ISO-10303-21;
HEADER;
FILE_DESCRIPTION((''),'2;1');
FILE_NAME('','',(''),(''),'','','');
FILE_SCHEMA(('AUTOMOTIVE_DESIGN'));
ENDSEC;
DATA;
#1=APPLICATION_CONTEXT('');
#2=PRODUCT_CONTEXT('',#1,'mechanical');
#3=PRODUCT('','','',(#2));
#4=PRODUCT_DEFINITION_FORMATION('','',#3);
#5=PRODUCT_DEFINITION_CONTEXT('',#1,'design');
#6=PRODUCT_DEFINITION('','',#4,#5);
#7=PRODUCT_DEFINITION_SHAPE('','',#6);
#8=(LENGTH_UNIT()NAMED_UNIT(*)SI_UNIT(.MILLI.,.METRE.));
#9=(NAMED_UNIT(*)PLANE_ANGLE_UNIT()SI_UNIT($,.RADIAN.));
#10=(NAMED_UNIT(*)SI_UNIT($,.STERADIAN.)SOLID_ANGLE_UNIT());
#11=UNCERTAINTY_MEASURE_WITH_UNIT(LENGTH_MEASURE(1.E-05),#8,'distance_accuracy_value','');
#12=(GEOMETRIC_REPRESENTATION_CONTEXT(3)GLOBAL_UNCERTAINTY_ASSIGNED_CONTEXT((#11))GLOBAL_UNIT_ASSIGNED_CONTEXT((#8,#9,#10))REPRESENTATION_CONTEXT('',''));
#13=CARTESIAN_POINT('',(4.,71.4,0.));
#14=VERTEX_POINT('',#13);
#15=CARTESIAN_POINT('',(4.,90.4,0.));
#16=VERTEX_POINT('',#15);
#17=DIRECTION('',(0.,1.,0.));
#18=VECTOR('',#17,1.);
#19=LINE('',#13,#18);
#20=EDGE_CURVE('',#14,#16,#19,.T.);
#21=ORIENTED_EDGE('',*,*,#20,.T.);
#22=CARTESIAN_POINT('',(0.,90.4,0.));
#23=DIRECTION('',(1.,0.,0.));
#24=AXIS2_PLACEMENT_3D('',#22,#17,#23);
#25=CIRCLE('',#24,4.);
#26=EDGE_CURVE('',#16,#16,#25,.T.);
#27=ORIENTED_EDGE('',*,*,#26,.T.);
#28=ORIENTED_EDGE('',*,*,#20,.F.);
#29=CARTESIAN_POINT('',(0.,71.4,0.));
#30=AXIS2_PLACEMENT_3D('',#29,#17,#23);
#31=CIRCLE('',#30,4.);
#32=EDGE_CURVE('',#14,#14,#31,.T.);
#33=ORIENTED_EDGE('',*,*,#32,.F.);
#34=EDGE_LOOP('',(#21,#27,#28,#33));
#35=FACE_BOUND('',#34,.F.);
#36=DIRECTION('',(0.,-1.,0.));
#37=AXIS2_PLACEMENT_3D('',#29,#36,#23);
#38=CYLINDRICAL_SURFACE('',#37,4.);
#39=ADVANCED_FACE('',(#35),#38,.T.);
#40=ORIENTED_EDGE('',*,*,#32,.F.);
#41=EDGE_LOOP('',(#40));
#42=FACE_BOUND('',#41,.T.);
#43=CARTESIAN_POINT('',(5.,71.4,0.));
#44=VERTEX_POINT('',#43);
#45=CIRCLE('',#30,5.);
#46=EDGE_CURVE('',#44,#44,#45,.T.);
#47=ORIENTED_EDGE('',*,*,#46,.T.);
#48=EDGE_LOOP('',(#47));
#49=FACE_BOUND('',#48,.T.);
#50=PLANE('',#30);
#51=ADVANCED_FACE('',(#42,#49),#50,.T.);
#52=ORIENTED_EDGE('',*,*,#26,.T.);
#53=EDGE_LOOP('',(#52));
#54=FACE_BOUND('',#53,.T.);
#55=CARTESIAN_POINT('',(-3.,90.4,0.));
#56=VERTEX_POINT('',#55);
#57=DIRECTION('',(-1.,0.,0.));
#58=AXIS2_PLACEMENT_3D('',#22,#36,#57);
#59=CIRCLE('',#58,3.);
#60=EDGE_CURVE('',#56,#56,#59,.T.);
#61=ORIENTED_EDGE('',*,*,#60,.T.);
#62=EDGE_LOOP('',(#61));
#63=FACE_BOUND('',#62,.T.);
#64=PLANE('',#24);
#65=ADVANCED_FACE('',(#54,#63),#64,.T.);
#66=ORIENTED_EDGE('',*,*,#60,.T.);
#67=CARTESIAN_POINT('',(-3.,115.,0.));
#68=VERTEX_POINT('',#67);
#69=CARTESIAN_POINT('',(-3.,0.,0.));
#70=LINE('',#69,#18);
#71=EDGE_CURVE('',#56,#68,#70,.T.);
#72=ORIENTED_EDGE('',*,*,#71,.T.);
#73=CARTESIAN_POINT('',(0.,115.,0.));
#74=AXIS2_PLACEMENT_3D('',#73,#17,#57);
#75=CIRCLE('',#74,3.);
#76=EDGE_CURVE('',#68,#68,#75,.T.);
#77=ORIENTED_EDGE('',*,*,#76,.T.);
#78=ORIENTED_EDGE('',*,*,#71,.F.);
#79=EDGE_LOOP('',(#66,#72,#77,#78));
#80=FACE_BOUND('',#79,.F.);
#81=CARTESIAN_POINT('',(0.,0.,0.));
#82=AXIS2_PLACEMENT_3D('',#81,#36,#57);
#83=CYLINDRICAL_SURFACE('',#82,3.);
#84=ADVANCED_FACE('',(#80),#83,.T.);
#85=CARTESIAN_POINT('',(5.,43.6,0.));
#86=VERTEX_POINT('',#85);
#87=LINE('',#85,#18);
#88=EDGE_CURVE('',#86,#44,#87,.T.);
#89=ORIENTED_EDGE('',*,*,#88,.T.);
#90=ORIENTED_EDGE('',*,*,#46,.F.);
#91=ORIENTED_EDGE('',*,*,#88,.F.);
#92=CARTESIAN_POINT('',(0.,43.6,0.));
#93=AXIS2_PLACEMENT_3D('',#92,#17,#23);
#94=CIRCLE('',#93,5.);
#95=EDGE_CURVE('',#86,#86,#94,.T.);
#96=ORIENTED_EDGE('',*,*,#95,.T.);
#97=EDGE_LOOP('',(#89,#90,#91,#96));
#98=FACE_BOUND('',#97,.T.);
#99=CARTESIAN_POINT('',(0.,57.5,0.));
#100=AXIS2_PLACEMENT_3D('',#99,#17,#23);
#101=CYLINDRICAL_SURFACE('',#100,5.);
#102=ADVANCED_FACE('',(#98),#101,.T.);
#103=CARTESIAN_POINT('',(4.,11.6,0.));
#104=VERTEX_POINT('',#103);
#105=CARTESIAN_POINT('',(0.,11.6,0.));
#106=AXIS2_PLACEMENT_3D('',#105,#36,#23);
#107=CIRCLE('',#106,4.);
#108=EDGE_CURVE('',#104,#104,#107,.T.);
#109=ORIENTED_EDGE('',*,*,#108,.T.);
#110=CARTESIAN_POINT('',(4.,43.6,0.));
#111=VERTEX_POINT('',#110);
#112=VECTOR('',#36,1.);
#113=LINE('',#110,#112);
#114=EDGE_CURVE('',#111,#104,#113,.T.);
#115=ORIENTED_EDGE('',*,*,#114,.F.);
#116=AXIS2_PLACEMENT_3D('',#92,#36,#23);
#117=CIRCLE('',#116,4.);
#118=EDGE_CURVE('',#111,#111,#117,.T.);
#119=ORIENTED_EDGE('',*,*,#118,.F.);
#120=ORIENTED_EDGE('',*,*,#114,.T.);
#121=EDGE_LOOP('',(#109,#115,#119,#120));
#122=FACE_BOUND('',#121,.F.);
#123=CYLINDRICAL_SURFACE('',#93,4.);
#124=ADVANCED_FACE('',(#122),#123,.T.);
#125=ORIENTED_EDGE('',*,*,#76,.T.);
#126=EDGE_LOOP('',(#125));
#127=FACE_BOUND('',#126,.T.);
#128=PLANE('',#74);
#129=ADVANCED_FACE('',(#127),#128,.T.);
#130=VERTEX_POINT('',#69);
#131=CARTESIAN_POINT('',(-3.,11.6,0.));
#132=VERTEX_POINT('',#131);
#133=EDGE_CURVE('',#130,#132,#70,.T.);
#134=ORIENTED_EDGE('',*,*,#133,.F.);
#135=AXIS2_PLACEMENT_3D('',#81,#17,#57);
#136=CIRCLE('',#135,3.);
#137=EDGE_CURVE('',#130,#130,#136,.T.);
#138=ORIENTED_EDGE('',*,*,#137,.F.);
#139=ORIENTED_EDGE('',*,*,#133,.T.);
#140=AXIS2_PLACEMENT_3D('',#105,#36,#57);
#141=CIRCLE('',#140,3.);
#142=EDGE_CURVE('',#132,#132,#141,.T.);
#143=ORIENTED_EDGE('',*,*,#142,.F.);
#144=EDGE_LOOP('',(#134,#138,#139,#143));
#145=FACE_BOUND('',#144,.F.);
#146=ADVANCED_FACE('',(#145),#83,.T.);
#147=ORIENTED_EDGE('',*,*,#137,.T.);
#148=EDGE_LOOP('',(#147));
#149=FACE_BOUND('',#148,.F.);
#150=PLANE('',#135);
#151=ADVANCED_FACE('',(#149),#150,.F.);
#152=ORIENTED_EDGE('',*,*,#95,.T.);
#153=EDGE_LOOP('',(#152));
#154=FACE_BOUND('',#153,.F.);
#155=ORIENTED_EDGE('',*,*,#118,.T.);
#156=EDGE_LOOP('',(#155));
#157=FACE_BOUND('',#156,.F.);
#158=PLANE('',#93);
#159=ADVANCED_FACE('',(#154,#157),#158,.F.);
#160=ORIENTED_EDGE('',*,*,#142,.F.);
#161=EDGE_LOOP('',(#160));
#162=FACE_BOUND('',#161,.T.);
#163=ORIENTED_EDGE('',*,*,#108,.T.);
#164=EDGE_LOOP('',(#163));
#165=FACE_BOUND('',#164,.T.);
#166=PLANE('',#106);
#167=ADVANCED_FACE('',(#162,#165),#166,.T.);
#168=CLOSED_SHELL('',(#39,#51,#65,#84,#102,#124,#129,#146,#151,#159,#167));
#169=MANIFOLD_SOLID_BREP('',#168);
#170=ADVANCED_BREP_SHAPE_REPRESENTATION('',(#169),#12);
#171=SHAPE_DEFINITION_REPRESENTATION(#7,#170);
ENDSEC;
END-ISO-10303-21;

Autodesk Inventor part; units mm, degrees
ref_plane "YZ Plane" through (0, 0, 0) normal (1, 0, 0) x (0, 1, 0)
ref_plane "XZ Plane" through (0, 0, 0) normal (0, 1, 0) x (-1, 0, 0)
ref_plane "XY Plane" through (0, 0, 0) normal (0, 0, 1) x (1, 0, 0)
sketch "スケッチ1" plane through (0, 0, 0) normal (0, 1, 0) x (-1, 0, 0)
  circle A0 centre (0, 0) radius 3
  dimension "d0" = 6
extrude "押し出し1" add sketch "スケッチ1" along normal blind 115
ref_plane "作業平面1" through (0, 57.5, 0) normal (0, 1, 0) x (1, 0, 0)
sketch "スケッチ2" plane through (0, 57.5, 0) normal (0, 1, 0) x (1, 0, 0)
  circle A0 centre (0, 0) radius 5
  dimension "d3" = 10
extrude "押し出し2" add sketch "スケッチ2" along normal blind 13.9 and the other way blind 13.9
sketch "スケッチ4" plane through (0, 43.6, 0) normal (0, -1, 0) x (1, 0, 0)
  circle A0 centre (0, 0) radius 4
  dimension "d9" = 8
extrude "押し出し3" add sketch "スケッチ4" along normal blind 32
sketch "スケッチ5" plane through (0, 71.4, 0) normal (0, 1, 0) x (1, 0, 0)
  circle A0 centre (0, 0) radius 4
  dimension "d12" = 8
extrude "押し出し4" add sketch "スケッチ5" along normal blind 19
properties part number "shoulder1_shaft copy"
